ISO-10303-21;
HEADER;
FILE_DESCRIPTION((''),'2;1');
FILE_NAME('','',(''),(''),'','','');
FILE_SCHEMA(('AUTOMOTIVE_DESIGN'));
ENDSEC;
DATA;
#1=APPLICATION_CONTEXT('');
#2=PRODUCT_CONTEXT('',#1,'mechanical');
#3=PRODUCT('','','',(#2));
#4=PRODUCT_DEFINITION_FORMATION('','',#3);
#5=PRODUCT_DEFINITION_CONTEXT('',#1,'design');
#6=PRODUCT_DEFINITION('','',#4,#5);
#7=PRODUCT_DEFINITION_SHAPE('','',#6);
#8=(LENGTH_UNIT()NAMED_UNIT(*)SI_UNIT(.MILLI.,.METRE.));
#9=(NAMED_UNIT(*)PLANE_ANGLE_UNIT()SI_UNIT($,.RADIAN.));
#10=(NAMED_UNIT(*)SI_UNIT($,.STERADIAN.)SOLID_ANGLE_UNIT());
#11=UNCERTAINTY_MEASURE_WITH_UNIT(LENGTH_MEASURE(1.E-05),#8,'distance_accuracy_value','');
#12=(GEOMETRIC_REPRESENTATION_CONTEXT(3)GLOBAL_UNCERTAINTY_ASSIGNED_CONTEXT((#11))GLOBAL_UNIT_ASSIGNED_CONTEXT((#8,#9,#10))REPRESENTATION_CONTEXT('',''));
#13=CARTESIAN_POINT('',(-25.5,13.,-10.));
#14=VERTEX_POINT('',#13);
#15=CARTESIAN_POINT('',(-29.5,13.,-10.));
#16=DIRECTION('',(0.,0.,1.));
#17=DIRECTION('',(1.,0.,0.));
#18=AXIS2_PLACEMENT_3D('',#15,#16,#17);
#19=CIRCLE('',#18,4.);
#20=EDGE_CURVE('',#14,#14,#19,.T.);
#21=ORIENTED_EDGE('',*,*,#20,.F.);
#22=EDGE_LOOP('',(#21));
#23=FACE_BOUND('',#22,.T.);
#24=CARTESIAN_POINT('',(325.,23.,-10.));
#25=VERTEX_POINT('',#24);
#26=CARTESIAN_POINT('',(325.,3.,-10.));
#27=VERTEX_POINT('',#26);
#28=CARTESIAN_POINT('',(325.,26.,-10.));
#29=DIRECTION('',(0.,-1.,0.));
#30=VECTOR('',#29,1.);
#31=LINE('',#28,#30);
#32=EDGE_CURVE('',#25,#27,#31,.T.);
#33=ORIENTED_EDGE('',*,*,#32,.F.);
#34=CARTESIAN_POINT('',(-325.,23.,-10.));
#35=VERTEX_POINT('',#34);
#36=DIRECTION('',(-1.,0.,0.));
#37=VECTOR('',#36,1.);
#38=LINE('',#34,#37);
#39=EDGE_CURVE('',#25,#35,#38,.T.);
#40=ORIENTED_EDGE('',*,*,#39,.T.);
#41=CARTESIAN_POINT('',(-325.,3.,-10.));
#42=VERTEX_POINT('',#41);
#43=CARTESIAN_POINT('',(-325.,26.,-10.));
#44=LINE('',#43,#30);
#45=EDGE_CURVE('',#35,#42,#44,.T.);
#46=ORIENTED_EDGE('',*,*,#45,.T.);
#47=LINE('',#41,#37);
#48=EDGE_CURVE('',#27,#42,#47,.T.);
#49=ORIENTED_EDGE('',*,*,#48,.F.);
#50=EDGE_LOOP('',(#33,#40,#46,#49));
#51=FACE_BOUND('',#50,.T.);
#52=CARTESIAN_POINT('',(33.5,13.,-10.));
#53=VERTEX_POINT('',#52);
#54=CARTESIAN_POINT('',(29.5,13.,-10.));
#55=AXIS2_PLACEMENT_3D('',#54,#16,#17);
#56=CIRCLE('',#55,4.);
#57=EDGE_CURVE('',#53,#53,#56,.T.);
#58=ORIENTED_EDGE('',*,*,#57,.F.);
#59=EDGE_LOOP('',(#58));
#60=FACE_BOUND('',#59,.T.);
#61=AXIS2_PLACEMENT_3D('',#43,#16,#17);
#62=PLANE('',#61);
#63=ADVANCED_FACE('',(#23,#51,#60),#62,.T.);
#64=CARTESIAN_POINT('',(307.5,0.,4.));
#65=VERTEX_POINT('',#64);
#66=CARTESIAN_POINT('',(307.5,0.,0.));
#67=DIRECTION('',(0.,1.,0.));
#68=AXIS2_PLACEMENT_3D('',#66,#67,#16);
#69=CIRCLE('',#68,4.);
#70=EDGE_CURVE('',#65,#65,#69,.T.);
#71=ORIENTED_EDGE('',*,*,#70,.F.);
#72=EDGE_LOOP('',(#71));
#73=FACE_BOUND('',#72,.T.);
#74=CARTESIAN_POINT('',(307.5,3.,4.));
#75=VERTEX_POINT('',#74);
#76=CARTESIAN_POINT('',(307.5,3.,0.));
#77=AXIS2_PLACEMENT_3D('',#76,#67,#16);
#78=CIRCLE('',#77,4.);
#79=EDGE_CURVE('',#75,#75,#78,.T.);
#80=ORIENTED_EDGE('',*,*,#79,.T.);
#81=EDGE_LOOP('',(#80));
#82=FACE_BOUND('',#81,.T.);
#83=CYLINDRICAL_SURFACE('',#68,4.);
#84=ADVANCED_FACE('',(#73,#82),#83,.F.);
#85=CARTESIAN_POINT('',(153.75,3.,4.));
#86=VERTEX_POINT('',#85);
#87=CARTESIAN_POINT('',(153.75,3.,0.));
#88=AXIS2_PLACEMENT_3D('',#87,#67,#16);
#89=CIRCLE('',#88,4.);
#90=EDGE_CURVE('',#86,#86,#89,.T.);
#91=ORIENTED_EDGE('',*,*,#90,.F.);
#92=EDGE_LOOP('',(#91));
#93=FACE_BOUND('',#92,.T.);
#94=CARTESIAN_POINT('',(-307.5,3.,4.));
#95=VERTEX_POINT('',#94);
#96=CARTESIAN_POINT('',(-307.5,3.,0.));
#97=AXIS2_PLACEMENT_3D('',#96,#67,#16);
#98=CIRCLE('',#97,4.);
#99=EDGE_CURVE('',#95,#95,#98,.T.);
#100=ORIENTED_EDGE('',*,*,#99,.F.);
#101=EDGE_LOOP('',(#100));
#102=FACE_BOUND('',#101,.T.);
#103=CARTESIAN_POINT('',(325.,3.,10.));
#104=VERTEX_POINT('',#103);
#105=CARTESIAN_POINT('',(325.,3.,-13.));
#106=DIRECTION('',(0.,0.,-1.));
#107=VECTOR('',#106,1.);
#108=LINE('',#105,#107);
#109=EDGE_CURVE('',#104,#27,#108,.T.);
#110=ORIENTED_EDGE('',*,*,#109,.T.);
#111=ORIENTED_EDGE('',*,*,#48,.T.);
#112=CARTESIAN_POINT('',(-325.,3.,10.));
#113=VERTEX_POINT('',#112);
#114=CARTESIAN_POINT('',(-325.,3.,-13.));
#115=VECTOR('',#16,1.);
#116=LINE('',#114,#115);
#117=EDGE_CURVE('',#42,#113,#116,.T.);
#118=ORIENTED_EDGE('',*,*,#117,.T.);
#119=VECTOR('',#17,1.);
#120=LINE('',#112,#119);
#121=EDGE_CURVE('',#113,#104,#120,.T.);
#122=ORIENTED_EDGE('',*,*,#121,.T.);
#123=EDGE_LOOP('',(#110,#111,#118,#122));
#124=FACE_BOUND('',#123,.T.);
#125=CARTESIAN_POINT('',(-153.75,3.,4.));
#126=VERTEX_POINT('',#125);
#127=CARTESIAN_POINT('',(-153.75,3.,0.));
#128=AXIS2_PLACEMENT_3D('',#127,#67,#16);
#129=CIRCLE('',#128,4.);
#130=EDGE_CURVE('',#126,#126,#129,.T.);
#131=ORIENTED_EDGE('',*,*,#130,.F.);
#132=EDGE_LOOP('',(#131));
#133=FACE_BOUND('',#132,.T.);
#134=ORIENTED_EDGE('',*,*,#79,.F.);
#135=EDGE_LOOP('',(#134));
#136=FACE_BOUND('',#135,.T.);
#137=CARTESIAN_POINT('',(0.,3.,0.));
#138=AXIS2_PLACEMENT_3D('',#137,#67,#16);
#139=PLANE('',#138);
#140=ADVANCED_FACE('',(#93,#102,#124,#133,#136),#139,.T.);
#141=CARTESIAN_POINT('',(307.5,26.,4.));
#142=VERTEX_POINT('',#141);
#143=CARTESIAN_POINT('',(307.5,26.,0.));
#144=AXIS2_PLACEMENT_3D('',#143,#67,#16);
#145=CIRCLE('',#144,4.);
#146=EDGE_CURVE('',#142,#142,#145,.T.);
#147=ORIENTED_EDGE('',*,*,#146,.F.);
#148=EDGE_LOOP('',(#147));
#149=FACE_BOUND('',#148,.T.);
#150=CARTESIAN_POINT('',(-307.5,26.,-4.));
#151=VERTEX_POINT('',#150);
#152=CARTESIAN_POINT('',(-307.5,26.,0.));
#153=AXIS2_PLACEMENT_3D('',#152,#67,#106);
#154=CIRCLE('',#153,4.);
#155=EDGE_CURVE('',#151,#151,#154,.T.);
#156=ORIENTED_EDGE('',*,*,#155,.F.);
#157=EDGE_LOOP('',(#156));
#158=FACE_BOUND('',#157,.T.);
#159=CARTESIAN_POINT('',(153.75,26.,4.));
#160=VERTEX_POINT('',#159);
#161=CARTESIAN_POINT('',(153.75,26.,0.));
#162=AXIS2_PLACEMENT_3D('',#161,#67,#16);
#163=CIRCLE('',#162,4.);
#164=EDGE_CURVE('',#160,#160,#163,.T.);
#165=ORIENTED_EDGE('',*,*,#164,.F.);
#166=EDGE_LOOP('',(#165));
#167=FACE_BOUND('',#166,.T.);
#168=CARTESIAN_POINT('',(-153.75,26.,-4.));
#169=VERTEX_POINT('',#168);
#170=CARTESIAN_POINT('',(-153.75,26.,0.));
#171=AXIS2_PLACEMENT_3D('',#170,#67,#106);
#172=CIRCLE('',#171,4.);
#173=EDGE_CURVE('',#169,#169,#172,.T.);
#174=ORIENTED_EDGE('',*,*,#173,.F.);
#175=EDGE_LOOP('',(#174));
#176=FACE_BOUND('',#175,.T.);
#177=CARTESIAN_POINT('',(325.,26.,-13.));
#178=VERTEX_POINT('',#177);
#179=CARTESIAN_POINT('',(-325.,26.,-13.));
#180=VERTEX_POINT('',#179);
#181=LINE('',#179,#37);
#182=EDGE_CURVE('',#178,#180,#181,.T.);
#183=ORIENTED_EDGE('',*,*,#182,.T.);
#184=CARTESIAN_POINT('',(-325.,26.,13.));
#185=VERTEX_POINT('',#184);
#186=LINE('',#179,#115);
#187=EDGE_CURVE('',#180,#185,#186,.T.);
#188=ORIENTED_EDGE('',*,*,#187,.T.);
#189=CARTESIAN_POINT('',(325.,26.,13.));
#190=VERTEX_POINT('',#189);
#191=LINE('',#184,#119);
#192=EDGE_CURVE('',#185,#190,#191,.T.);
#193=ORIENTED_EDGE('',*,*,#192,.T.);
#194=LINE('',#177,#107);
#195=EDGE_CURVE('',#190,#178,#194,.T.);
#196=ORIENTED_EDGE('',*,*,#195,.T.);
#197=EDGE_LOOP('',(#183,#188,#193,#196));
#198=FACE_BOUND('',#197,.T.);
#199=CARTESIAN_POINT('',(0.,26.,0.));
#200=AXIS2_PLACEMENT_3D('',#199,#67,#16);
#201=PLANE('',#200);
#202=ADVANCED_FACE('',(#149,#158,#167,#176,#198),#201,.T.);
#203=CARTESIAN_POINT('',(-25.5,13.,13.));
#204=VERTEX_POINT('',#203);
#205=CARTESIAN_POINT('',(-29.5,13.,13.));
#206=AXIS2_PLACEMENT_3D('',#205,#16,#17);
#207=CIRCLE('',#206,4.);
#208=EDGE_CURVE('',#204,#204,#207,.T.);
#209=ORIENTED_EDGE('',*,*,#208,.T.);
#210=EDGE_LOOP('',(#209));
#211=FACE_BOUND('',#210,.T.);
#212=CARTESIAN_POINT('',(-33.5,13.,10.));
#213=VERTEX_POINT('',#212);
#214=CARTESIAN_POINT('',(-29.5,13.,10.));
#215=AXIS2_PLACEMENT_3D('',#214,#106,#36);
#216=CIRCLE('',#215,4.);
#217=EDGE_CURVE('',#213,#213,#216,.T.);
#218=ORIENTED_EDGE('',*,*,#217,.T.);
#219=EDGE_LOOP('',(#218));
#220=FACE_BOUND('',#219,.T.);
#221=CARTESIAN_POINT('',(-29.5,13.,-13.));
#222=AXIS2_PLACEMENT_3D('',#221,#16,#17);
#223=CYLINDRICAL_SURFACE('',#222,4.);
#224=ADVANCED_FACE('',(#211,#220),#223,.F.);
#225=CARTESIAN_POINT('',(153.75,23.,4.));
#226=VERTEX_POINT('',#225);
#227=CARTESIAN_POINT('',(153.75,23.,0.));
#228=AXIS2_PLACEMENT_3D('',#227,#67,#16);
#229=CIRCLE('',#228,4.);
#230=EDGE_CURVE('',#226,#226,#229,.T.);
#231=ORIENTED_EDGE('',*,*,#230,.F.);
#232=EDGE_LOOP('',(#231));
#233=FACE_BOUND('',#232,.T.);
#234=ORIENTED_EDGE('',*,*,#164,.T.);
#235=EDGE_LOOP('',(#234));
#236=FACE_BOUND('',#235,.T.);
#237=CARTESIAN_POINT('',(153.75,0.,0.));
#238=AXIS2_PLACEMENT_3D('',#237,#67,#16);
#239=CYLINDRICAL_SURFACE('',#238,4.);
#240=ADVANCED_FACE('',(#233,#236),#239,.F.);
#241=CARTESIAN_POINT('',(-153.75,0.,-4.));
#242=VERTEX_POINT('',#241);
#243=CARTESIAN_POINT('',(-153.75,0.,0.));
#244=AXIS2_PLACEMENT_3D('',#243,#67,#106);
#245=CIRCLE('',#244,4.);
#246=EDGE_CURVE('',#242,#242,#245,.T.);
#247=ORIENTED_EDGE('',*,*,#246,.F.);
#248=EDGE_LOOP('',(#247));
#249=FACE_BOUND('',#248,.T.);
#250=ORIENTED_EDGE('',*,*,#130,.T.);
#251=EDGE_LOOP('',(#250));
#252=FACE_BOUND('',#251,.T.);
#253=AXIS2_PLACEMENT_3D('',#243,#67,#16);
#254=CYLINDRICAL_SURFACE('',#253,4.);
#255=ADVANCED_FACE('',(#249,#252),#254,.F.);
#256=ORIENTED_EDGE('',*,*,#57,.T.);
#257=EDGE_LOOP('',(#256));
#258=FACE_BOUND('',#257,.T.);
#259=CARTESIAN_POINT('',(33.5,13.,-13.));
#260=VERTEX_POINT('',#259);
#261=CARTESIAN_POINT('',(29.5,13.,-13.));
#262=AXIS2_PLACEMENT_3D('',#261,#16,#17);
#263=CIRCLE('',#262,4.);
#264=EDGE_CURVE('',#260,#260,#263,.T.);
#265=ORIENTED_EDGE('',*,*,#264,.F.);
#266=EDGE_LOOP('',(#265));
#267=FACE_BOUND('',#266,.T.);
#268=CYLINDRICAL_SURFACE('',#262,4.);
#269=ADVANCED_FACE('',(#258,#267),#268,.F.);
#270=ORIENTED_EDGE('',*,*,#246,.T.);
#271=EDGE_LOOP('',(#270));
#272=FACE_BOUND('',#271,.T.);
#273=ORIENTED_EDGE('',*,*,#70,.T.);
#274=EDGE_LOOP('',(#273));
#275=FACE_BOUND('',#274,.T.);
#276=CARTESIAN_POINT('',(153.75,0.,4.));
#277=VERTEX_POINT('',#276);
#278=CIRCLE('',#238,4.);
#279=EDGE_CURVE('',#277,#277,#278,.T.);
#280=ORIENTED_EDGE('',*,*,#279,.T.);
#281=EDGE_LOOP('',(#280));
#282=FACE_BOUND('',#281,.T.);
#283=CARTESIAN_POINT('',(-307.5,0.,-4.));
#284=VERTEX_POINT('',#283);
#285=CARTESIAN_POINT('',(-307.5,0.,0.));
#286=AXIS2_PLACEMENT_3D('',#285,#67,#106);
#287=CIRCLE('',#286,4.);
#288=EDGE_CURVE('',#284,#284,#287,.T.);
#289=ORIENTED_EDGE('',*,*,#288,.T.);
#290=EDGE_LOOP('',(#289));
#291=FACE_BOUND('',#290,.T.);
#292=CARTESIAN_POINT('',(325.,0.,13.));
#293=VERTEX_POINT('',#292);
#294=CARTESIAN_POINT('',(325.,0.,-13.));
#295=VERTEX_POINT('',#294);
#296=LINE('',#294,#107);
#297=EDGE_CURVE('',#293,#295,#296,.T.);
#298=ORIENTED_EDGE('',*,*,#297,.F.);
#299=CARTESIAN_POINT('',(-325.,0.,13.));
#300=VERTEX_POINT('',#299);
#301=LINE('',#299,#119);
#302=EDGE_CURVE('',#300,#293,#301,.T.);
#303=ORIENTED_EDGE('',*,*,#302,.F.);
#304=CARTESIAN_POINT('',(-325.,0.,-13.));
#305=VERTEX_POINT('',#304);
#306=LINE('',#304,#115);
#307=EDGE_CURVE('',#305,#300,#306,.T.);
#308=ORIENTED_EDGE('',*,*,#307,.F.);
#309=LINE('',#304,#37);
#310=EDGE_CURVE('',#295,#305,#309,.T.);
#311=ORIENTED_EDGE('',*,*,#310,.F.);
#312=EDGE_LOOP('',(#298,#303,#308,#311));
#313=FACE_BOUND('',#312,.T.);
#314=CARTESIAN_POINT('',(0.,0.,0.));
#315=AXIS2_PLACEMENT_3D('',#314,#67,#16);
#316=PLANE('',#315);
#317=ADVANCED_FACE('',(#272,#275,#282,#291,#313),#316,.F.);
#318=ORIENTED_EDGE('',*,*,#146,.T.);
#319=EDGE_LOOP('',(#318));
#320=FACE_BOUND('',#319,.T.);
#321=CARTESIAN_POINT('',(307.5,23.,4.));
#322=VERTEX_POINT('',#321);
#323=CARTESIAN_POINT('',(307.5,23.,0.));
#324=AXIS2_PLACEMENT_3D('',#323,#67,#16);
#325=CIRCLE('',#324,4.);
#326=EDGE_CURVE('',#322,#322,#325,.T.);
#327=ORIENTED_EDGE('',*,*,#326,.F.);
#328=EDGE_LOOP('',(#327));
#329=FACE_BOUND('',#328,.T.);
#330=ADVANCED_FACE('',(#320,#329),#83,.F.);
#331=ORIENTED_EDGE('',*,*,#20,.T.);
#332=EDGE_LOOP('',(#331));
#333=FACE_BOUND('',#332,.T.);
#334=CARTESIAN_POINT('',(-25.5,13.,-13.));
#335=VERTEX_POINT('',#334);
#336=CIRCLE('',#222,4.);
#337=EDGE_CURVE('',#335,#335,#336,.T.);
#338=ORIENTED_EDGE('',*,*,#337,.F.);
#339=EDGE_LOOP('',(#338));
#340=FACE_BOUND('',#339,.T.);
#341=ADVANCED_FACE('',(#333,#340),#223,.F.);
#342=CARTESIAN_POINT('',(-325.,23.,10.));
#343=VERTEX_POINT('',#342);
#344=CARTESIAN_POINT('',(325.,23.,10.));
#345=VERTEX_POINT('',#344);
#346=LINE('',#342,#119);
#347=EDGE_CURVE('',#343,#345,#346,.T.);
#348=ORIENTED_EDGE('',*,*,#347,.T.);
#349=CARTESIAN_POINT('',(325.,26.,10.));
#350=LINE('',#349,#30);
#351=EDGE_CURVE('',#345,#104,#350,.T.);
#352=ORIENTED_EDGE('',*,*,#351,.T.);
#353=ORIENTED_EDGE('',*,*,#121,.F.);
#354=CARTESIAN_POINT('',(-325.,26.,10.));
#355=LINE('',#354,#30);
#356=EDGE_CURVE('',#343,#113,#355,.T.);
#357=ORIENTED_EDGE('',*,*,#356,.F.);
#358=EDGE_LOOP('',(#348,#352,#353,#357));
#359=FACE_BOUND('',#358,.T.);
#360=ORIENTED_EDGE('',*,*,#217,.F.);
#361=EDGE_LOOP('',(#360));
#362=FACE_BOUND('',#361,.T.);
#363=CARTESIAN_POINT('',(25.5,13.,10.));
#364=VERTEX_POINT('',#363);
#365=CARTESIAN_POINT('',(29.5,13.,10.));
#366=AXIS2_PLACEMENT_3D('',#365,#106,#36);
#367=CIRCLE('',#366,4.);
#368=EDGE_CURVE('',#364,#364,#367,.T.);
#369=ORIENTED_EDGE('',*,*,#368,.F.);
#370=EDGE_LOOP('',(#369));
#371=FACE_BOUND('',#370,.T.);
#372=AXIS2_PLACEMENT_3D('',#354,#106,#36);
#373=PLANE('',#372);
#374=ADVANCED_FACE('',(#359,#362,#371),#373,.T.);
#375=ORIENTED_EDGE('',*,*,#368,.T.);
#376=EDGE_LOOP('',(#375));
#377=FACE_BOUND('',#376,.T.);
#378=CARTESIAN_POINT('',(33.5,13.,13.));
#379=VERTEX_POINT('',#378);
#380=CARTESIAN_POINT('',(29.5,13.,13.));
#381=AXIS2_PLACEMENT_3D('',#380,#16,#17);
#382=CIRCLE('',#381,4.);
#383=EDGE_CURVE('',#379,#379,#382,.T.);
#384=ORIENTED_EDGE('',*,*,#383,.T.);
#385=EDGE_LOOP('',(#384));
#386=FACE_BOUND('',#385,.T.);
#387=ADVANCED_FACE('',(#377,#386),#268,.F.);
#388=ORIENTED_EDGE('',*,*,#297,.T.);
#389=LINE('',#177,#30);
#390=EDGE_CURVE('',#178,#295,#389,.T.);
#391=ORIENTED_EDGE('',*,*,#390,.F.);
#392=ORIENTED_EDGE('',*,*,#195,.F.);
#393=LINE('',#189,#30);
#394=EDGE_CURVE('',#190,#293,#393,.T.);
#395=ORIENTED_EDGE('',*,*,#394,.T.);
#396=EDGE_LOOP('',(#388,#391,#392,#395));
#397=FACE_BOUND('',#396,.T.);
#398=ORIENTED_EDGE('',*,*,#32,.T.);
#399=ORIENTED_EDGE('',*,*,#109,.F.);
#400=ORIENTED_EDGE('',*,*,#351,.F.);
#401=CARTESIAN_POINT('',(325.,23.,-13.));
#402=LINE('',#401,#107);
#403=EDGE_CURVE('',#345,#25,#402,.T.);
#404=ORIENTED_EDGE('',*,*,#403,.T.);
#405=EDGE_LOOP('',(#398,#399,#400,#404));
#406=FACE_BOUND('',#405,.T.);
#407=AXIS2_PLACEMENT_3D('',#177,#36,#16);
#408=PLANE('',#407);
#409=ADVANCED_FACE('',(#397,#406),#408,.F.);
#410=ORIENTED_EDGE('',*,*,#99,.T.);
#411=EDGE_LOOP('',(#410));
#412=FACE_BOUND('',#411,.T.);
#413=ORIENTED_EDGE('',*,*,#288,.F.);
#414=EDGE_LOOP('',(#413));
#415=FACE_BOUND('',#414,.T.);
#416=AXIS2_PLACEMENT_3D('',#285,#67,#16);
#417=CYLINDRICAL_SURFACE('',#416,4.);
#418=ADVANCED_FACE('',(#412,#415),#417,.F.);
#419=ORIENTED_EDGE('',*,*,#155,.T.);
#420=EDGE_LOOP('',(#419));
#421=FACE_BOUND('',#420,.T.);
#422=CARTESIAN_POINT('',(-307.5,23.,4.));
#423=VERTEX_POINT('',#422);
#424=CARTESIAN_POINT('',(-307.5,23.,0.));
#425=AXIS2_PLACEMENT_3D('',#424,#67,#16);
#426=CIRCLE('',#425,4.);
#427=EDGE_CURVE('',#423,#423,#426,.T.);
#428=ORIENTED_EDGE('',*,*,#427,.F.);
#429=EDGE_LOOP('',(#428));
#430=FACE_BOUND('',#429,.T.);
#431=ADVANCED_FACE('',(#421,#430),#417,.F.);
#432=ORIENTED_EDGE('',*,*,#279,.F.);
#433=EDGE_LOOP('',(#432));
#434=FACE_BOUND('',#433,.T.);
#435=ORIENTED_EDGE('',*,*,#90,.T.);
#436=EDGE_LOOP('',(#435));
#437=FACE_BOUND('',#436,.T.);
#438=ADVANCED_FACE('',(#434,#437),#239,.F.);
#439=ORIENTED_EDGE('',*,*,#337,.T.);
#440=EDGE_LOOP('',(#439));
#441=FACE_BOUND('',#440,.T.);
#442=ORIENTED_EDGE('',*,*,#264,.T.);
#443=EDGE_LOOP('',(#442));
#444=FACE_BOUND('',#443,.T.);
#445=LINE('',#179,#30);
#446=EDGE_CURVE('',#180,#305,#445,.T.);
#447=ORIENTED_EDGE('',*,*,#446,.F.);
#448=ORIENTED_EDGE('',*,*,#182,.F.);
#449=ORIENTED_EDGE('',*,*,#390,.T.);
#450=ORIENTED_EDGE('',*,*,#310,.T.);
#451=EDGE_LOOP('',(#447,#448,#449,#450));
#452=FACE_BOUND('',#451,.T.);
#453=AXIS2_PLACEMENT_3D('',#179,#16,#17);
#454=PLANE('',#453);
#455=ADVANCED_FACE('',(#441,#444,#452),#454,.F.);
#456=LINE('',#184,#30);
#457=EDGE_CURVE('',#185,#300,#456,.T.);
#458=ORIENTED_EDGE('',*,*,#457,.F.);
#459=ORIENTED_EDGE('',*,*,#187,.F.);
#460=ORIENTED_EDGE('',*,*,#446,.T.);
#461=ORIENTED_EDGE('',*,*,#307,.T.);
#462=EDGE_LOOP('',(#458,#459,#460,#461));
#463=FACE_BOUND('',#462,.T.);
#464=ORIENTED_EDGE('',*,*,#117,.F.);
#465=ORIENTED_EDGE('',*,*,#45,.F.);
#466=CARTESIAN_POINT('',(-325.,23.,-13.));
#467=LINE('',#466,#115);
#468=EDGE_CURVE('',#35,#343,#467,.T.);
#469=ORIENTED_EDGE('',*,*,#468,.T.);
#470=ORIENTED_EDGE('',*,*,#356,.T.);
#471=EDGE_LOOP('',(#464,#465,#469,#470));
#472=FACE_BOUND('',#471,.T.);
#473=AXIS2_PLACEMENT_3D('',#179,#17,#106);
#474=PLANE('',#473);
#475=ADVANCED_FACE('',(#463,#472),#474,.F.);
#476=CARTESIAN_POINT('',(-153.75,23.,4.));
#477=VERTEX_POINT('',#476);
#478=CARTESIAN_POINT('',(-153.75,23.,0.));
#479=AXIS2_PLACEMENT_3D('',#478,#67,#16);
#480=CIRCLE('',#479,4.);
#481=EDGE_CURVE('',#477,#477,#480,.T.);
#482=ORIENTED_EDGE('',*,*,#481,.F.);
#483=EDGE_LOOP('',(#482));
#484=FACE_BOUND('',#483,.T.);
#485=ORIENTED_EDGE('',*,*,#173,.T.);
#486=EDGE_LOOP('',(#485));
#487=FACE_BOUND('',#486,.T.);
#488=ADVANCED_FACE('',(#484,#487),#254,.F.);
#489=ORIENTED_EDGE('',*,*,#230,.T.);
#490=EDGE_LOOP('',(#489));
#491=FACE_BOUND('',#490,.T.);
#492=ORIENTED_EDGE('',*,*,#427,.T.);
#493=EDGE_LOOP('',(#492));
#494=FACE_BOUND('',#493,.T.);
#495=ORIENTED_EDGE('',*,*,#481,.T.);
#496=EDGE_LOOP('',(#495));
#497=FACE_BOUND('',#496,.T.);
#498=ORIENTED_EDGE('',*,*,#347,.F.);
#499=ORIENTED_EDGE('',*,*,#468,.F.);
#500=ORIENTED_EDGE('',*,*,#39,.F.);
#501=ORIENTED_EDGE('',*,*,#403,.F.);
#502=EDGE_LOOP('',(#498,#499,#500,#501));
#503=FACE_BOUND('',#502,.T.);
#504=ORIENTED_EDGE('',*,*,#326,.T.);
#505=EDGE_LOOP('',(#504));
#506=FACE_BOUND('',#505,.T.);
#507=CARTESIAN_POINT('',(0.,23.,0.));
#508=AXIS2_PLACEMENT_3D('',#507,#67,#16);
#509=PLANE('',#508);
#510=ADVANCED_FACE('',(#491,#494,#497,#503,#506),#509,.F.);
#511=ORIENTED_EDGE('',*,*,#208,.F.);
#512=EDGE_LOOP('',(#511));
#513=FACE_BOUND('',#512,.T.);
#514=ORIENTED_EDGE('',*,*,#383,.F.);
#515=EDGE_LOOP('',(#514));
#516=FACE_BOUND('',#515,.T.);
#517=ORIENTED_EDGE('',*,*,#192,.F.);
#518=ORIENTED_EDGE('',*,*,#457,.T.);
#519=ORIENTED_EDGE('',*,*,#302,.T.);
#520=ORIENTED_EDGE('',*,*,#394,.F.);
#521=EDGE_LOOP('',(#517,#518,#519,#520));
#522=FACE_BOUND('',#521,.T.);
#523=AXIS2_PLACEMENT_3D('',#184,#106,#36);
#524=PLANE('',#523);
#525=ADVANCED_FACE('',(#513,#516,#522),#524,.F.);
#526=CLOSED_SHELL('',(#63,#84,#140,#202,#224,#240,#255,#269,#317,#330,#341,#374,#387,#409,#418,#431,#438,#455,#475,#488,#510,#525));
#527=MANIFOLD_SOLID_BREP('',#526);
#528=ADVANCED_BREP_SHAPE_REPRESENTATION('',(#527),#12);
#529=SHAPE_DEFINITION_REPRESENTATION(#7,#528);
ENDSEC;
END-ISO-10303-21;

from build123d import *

# Parameters (mm, degrees)
SKETCH1_W           = 650
SKETCH1_H           = 26
BOSS_EXTRUDE1_DEPTH = 26
SHELL1_T            = -3
SKETCH2_R           = 4
CUT_EXTRUDE1_DEPTH  = 26
SKETCH3_R           = 4
CUT_EXTRUDE2_DEPTH  = 27


with BuildPart() as part:
    # Sketch1 → Boss-Extrude1 (new body)
    with BuildSketch(Plane(origin=(0, 0, 0), x_dir=(1, 0, 0), z_dir=(0, 1, 0))):
        Rectangle(SKETCH1_W, SKETCH1_H)
    extrude(amount=BOSS_EXTRUDE1_DEPTH)

    # Shell1
    shell1_openings = [part.faces().sort_by_distance(p)[0] for p in [
        (-325, 13, 0),
        (325, 13, 0),
    ]]
    offset(amount=SHELL1_T, openings=shell1_openings, kind=Kind.INTERSECTION)

    # Sketch2 → Cut-Extrude1 (cut)
    with BuildSketch(Plane(origin=(0, 26, 0), x_dir=(1, 0, 0), z_dir=(0, 1, 0))):
        with Locations((307.5, 0)):
            Circle(SKETCH2_R)
        with Locations((-307.5, 0)):
            Circle(SKETCH2_R)
        with Locations((153.75, 0)):
            Circle(SKETCH2_R)
        with Locations((-153.75, 0)):
            Circle(SKETCH2_R)
    extrude(amount=-CUT_EXTRUDE1_DEPTH, mode=Mode.SUBTRACT)

    # Sketch3 → Cut-Extrude2 (cut, through all)
    with BuildSketch(Plane.XY.offset(13)):
        with Locations((-29.5, 13)):
            Circle(SKETCH3_R)
        with Locations((29.5, 13)):
            Circle(SKETCH3_R)
    extrude(amount=-CUT_EXTRUDE2_DEPTH, mode=Mode.SUBTRACT)


solid = part.part
